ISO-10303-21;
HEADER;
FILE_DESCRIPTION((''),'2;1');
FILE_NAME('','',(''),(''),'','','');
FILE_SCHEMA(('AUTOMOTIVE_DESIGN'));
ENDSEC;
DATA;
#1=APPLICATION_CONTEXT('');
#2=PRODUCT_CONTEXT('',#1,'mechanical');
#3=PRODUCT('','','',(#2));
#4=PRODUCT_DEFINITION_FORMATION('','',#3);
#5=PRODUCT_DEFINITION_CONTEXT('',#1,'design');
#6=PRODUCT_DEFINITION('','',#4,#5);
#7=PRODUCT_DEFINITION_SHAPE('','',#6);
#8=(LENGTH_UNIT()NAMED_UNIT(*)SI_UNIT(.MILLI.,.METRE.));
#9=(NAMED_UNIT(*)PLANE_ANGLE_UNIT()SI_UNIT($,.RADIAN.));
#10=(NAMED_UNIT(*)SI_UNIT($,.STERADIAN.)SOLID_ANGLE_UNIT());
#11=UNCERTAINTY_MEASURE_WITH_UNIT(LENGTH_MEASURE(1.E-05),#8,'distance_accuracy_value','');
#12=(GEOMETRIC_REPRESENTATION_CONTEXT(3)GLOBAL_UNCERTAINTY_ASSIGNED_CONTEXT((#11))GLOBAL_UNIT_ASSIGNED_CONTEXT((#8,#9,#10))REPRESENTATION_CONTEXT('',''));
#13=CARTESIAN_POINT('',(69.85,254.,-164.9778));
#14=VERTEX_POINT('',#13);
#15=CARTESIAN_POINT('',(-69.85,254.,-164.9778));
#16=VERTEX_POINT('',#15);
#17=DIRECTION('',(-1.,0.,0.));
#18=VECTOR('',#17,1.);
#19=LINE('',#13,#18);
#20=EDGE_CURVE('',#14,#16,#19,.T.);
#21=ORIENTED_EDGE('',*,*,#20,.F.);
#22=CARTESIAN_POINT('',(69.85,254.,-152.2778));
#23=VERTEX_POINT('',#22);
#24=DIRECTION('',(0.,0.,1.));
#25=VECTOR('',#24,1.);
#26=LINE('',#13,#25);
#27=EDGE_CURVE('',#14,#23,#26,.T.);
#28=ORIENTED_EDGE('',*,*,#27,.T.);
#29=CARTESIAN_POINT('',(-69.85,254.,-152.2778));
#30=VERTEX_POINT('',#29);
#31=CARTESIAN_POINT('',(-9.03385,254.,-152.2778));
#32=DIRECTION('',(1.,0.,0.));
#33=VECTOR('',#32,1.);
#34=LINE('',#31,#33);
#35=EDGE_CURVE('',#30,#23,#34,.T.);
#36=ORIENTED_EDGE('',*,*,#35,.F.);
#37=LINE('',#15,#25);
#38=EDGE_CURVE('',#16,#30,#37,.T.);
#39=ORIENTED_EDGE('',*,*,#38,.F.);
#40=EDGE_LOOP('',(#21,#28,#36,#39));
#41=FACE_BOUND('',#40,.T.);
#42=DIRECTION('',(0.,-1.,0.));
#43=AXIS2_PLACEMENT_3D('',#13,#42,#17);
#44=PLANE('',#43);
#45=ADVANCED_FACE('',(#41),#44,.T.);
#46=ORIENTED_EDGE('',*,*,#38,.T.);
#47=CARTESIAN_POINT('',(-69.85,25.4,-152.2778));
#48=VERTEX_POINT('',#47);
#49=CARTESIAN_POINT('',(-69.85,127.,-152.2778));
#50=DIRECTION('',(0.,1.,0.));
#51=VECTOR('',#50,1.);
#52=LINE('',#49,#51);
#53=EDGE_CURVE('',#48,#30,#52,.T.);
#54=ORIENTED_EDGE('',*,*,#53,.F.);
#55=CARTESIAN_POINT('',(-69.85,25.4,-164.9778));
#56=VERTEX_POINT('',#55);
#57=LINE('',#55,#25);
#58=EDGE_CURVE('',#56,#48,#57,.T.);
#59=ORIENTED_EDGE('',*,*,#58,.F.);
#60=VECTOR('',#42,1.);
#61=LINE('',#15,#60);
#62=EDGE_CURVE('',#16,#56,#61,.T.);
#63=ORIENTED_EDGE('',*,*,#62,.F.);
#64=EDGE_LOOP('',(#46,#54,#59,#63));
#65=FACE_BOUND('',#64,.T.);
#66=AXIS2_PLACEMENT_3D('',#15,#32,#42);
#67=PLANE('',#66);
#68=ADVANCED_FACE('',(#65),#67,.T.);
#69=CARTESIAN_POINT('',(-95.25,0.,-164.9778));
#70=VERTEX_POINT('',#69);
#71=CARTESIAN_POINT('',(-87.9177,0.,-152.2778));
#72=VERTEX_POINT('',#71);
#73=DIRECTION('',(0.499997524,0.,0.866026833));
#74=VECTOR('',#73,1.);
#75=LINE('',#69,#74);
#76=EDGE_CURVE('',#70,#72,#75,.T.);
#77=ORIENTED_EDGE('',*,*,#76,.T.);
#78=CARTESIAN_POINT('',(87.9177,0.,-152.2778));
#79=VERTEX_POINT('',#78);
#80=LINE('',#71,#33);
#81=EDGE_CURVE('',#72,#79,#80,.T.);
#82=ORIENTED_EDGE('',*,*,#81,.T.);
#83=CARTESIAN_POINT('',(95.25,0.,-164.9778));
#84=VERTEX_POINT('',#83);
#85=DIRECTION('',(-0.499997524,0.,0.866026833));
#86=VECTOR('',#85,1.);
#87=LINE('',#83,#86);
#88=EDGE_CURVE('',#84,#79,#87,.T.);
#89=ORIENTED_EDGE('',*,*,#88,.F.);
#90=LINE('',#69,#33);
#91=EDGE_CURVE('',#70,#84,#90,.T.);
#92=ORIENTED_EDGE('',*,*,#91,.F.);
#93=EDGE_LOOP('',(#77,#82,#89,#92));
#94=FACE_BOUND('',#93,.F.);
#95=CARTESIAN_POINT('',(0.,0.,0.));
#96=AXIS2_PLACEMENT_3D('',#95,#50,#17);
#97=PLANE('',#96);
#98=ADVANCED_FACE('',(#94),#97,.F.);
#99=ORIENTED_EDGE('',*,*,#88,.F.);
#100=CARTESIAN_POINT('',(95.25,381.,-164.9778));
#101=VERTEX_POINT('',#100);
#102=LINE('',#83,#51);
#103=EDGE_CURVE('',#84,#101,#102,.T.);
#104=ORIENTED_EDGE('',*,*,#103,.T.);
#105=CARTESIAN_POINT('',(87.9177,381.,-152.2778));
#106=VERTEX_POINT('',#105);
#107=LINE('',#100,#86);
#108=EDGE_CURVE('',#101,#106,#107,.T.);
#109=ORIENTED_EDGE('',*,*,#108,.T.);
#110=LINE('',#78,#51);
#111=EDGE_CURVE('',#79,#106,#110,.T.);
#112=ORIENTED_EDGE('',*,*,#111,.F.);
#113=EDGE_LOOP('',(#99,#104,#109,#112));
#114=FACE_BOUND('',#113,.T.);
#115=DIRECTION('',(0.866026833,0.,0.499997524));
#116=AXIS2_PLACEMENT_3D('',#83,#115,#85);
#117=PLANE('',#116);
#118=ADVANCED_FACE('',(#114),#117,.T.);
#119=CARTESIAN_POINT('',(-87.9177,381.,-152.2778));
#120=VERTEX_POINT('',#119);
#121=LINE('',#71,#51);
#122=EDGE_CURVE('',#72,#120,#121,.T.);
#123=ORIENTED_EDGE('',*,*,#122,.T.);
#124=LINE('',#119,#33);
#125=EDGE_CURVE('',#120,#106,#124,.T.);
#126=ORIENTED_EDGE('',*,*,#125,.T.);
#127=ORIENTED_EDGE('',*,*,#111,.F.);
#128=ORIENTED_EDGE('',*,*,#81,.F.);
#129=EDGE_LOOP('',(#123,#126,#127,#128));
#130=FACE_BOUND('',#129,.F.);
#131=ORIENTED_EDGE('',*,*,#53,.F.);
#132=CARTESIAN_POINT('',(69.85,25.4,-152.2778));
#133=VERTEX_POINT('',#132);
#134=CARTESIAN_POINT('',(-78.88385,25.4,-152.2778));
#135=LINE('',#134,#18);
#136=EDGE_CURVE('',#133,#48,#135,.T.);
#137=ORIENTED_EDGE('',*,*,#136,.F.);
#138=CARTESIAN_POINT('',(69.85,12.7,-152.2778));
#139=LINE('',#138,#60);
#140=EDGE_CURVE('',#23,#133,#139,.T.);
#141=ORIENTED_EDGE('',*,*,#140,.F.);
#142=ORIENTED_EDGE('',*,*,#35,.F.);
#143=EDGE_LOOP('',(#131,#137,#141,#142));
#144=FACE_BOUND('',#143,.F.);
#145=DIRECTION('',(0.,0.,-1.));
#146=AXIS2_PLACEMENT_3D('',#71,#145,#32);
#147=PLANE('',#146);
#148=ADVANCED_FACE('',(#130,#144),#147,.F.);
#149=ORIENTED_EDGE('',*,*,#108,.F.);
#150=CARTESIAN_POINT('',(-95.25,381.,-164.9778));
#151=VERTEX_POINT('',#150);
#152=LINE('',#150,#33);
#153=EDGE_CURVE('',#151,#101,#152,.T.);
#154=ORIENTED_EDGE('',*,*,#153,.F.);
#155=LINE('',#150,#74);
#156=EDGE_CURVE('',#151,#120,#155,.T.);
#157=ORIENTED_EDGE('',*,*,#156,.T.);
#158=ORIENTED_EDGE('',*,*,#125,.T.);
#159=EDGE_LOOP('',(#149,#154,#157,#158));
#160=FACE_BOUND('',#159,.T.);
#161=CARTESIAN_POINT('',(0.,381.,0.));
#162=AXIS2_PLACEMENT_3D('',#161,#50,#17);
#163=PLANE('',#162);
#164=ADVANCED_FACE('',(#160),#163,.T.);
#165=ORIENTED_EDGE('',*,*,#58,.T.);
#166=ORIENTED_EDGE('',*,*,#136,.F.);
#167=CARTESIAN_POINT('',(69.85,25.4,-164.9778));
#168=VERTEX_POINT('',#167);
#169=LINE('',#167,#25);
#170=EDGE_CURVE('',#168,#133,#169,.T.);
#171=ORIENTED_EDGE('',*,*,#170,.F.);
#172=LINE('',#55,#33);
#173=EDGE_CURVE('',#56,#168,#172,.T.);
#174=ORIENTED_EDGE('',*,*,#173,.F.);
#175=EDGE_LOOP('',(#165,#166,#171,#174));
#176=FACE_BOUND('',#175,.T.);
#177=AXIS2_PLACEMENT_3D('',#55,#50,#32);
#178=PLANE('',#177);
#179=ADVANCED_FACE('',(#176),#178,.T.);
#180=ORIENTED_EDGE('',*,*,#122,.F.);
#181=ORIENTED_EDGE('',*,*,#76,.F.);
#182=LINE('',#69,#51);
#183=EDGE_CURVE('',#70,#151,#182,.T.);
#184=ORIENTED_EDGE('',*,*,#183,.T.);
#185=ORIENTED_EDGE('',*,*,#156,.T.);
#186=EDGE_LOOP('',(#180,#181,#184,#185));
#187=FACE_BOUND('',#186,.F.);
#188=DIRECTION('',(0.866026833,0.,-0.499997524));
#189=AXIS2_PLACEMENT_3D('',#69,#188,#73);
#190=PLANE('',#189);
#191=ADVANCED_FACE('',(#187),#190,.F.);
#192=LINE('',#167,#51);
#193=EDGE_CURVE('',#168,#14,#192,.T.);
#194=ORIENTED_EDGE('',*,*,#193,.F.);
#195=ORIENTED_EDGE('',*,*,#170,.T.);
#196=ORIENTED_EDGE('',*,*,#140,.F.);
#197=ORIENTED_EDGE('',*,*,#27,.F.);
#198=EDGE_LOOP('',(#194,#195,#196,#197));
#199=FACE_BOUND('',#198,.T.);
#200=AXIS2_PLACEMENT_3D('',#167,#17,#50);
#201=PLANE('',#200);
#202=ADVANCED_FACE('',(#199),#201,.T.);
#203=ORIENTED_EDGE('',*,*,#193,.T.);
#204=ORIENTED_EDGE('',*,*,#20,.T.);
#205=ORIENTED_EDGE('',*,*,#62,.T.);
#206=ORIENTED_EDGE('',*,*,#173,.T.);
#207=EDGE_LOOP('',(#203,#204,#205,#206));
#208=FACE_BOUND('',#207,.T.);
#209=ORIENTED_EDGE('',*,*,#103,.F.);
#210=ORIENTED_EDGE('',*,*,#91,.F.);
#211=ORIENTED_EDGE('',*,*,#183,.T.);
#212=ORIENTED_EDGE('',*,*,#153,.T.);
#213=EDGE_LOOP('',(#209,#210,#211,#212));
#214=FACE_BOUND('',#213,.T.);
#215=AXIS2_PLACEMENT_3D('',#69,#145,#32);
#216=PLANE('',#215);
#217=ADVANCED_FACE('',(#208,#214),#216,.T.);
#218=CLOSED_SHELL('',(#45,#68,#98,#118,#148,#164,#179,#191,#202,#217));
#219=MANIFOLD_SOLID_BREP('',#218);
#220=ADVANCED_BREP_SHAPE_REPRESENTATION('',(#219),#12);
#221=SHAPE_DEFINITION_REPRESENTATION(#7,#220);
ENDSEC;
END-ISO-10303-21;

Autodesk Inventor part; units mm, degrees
sketch "Sketch1" plane through (0, 0, 0) normal (0, 1, 0) x (-1, 0, 0)
  line L0 (95.25, -164.9778) -> (-95.25, -164.9778)
  line L1 (87.9177, -152.2778) -> (-87.9177, -152.2778)
  line L2 (95.25, -164.9778) -> (87.9177, -152.2778)
  line L3 (-95.25, -164.9778) -> (-87.9177, -152.2778)
  point P0 (0, 0)
  point P1 (0, 0)
  point P2 (0, 0)
  dimension "d0" = 190.5
  dimension "d1" = 12.7
  dimension "d3" = 120
  dimension "d4" = 0
extrude "Extrusion1" add sketch "Sketch1" along normal blind 381
sketch "Sketch2" plane through (95.25, 0, -164.9778) normal (0, 0, -1) x (-1, 0, 0)
  line L0 (25.4, 254) -> (165.1, 254)
  line L1 (165.1, 254) -> (165.1, 25.4)
  line L2 (165.1, 25.4) -> (25.4, 25.4)
  line L3 (25.4, 25.4) -> (25.4, 254)
  line L4 (0, 0) -> (0, 381) projected
  point P0 (95.25, 0)
  dimension "d7" = 139.7
  dimension "d8" = 25.4
  dimension "d9" = 25.4
  dimension "d10" = 228.6
extrude "Extrusion2" cut sketch "Sketch2" against normal up to next
properties part number "side_w_door"
